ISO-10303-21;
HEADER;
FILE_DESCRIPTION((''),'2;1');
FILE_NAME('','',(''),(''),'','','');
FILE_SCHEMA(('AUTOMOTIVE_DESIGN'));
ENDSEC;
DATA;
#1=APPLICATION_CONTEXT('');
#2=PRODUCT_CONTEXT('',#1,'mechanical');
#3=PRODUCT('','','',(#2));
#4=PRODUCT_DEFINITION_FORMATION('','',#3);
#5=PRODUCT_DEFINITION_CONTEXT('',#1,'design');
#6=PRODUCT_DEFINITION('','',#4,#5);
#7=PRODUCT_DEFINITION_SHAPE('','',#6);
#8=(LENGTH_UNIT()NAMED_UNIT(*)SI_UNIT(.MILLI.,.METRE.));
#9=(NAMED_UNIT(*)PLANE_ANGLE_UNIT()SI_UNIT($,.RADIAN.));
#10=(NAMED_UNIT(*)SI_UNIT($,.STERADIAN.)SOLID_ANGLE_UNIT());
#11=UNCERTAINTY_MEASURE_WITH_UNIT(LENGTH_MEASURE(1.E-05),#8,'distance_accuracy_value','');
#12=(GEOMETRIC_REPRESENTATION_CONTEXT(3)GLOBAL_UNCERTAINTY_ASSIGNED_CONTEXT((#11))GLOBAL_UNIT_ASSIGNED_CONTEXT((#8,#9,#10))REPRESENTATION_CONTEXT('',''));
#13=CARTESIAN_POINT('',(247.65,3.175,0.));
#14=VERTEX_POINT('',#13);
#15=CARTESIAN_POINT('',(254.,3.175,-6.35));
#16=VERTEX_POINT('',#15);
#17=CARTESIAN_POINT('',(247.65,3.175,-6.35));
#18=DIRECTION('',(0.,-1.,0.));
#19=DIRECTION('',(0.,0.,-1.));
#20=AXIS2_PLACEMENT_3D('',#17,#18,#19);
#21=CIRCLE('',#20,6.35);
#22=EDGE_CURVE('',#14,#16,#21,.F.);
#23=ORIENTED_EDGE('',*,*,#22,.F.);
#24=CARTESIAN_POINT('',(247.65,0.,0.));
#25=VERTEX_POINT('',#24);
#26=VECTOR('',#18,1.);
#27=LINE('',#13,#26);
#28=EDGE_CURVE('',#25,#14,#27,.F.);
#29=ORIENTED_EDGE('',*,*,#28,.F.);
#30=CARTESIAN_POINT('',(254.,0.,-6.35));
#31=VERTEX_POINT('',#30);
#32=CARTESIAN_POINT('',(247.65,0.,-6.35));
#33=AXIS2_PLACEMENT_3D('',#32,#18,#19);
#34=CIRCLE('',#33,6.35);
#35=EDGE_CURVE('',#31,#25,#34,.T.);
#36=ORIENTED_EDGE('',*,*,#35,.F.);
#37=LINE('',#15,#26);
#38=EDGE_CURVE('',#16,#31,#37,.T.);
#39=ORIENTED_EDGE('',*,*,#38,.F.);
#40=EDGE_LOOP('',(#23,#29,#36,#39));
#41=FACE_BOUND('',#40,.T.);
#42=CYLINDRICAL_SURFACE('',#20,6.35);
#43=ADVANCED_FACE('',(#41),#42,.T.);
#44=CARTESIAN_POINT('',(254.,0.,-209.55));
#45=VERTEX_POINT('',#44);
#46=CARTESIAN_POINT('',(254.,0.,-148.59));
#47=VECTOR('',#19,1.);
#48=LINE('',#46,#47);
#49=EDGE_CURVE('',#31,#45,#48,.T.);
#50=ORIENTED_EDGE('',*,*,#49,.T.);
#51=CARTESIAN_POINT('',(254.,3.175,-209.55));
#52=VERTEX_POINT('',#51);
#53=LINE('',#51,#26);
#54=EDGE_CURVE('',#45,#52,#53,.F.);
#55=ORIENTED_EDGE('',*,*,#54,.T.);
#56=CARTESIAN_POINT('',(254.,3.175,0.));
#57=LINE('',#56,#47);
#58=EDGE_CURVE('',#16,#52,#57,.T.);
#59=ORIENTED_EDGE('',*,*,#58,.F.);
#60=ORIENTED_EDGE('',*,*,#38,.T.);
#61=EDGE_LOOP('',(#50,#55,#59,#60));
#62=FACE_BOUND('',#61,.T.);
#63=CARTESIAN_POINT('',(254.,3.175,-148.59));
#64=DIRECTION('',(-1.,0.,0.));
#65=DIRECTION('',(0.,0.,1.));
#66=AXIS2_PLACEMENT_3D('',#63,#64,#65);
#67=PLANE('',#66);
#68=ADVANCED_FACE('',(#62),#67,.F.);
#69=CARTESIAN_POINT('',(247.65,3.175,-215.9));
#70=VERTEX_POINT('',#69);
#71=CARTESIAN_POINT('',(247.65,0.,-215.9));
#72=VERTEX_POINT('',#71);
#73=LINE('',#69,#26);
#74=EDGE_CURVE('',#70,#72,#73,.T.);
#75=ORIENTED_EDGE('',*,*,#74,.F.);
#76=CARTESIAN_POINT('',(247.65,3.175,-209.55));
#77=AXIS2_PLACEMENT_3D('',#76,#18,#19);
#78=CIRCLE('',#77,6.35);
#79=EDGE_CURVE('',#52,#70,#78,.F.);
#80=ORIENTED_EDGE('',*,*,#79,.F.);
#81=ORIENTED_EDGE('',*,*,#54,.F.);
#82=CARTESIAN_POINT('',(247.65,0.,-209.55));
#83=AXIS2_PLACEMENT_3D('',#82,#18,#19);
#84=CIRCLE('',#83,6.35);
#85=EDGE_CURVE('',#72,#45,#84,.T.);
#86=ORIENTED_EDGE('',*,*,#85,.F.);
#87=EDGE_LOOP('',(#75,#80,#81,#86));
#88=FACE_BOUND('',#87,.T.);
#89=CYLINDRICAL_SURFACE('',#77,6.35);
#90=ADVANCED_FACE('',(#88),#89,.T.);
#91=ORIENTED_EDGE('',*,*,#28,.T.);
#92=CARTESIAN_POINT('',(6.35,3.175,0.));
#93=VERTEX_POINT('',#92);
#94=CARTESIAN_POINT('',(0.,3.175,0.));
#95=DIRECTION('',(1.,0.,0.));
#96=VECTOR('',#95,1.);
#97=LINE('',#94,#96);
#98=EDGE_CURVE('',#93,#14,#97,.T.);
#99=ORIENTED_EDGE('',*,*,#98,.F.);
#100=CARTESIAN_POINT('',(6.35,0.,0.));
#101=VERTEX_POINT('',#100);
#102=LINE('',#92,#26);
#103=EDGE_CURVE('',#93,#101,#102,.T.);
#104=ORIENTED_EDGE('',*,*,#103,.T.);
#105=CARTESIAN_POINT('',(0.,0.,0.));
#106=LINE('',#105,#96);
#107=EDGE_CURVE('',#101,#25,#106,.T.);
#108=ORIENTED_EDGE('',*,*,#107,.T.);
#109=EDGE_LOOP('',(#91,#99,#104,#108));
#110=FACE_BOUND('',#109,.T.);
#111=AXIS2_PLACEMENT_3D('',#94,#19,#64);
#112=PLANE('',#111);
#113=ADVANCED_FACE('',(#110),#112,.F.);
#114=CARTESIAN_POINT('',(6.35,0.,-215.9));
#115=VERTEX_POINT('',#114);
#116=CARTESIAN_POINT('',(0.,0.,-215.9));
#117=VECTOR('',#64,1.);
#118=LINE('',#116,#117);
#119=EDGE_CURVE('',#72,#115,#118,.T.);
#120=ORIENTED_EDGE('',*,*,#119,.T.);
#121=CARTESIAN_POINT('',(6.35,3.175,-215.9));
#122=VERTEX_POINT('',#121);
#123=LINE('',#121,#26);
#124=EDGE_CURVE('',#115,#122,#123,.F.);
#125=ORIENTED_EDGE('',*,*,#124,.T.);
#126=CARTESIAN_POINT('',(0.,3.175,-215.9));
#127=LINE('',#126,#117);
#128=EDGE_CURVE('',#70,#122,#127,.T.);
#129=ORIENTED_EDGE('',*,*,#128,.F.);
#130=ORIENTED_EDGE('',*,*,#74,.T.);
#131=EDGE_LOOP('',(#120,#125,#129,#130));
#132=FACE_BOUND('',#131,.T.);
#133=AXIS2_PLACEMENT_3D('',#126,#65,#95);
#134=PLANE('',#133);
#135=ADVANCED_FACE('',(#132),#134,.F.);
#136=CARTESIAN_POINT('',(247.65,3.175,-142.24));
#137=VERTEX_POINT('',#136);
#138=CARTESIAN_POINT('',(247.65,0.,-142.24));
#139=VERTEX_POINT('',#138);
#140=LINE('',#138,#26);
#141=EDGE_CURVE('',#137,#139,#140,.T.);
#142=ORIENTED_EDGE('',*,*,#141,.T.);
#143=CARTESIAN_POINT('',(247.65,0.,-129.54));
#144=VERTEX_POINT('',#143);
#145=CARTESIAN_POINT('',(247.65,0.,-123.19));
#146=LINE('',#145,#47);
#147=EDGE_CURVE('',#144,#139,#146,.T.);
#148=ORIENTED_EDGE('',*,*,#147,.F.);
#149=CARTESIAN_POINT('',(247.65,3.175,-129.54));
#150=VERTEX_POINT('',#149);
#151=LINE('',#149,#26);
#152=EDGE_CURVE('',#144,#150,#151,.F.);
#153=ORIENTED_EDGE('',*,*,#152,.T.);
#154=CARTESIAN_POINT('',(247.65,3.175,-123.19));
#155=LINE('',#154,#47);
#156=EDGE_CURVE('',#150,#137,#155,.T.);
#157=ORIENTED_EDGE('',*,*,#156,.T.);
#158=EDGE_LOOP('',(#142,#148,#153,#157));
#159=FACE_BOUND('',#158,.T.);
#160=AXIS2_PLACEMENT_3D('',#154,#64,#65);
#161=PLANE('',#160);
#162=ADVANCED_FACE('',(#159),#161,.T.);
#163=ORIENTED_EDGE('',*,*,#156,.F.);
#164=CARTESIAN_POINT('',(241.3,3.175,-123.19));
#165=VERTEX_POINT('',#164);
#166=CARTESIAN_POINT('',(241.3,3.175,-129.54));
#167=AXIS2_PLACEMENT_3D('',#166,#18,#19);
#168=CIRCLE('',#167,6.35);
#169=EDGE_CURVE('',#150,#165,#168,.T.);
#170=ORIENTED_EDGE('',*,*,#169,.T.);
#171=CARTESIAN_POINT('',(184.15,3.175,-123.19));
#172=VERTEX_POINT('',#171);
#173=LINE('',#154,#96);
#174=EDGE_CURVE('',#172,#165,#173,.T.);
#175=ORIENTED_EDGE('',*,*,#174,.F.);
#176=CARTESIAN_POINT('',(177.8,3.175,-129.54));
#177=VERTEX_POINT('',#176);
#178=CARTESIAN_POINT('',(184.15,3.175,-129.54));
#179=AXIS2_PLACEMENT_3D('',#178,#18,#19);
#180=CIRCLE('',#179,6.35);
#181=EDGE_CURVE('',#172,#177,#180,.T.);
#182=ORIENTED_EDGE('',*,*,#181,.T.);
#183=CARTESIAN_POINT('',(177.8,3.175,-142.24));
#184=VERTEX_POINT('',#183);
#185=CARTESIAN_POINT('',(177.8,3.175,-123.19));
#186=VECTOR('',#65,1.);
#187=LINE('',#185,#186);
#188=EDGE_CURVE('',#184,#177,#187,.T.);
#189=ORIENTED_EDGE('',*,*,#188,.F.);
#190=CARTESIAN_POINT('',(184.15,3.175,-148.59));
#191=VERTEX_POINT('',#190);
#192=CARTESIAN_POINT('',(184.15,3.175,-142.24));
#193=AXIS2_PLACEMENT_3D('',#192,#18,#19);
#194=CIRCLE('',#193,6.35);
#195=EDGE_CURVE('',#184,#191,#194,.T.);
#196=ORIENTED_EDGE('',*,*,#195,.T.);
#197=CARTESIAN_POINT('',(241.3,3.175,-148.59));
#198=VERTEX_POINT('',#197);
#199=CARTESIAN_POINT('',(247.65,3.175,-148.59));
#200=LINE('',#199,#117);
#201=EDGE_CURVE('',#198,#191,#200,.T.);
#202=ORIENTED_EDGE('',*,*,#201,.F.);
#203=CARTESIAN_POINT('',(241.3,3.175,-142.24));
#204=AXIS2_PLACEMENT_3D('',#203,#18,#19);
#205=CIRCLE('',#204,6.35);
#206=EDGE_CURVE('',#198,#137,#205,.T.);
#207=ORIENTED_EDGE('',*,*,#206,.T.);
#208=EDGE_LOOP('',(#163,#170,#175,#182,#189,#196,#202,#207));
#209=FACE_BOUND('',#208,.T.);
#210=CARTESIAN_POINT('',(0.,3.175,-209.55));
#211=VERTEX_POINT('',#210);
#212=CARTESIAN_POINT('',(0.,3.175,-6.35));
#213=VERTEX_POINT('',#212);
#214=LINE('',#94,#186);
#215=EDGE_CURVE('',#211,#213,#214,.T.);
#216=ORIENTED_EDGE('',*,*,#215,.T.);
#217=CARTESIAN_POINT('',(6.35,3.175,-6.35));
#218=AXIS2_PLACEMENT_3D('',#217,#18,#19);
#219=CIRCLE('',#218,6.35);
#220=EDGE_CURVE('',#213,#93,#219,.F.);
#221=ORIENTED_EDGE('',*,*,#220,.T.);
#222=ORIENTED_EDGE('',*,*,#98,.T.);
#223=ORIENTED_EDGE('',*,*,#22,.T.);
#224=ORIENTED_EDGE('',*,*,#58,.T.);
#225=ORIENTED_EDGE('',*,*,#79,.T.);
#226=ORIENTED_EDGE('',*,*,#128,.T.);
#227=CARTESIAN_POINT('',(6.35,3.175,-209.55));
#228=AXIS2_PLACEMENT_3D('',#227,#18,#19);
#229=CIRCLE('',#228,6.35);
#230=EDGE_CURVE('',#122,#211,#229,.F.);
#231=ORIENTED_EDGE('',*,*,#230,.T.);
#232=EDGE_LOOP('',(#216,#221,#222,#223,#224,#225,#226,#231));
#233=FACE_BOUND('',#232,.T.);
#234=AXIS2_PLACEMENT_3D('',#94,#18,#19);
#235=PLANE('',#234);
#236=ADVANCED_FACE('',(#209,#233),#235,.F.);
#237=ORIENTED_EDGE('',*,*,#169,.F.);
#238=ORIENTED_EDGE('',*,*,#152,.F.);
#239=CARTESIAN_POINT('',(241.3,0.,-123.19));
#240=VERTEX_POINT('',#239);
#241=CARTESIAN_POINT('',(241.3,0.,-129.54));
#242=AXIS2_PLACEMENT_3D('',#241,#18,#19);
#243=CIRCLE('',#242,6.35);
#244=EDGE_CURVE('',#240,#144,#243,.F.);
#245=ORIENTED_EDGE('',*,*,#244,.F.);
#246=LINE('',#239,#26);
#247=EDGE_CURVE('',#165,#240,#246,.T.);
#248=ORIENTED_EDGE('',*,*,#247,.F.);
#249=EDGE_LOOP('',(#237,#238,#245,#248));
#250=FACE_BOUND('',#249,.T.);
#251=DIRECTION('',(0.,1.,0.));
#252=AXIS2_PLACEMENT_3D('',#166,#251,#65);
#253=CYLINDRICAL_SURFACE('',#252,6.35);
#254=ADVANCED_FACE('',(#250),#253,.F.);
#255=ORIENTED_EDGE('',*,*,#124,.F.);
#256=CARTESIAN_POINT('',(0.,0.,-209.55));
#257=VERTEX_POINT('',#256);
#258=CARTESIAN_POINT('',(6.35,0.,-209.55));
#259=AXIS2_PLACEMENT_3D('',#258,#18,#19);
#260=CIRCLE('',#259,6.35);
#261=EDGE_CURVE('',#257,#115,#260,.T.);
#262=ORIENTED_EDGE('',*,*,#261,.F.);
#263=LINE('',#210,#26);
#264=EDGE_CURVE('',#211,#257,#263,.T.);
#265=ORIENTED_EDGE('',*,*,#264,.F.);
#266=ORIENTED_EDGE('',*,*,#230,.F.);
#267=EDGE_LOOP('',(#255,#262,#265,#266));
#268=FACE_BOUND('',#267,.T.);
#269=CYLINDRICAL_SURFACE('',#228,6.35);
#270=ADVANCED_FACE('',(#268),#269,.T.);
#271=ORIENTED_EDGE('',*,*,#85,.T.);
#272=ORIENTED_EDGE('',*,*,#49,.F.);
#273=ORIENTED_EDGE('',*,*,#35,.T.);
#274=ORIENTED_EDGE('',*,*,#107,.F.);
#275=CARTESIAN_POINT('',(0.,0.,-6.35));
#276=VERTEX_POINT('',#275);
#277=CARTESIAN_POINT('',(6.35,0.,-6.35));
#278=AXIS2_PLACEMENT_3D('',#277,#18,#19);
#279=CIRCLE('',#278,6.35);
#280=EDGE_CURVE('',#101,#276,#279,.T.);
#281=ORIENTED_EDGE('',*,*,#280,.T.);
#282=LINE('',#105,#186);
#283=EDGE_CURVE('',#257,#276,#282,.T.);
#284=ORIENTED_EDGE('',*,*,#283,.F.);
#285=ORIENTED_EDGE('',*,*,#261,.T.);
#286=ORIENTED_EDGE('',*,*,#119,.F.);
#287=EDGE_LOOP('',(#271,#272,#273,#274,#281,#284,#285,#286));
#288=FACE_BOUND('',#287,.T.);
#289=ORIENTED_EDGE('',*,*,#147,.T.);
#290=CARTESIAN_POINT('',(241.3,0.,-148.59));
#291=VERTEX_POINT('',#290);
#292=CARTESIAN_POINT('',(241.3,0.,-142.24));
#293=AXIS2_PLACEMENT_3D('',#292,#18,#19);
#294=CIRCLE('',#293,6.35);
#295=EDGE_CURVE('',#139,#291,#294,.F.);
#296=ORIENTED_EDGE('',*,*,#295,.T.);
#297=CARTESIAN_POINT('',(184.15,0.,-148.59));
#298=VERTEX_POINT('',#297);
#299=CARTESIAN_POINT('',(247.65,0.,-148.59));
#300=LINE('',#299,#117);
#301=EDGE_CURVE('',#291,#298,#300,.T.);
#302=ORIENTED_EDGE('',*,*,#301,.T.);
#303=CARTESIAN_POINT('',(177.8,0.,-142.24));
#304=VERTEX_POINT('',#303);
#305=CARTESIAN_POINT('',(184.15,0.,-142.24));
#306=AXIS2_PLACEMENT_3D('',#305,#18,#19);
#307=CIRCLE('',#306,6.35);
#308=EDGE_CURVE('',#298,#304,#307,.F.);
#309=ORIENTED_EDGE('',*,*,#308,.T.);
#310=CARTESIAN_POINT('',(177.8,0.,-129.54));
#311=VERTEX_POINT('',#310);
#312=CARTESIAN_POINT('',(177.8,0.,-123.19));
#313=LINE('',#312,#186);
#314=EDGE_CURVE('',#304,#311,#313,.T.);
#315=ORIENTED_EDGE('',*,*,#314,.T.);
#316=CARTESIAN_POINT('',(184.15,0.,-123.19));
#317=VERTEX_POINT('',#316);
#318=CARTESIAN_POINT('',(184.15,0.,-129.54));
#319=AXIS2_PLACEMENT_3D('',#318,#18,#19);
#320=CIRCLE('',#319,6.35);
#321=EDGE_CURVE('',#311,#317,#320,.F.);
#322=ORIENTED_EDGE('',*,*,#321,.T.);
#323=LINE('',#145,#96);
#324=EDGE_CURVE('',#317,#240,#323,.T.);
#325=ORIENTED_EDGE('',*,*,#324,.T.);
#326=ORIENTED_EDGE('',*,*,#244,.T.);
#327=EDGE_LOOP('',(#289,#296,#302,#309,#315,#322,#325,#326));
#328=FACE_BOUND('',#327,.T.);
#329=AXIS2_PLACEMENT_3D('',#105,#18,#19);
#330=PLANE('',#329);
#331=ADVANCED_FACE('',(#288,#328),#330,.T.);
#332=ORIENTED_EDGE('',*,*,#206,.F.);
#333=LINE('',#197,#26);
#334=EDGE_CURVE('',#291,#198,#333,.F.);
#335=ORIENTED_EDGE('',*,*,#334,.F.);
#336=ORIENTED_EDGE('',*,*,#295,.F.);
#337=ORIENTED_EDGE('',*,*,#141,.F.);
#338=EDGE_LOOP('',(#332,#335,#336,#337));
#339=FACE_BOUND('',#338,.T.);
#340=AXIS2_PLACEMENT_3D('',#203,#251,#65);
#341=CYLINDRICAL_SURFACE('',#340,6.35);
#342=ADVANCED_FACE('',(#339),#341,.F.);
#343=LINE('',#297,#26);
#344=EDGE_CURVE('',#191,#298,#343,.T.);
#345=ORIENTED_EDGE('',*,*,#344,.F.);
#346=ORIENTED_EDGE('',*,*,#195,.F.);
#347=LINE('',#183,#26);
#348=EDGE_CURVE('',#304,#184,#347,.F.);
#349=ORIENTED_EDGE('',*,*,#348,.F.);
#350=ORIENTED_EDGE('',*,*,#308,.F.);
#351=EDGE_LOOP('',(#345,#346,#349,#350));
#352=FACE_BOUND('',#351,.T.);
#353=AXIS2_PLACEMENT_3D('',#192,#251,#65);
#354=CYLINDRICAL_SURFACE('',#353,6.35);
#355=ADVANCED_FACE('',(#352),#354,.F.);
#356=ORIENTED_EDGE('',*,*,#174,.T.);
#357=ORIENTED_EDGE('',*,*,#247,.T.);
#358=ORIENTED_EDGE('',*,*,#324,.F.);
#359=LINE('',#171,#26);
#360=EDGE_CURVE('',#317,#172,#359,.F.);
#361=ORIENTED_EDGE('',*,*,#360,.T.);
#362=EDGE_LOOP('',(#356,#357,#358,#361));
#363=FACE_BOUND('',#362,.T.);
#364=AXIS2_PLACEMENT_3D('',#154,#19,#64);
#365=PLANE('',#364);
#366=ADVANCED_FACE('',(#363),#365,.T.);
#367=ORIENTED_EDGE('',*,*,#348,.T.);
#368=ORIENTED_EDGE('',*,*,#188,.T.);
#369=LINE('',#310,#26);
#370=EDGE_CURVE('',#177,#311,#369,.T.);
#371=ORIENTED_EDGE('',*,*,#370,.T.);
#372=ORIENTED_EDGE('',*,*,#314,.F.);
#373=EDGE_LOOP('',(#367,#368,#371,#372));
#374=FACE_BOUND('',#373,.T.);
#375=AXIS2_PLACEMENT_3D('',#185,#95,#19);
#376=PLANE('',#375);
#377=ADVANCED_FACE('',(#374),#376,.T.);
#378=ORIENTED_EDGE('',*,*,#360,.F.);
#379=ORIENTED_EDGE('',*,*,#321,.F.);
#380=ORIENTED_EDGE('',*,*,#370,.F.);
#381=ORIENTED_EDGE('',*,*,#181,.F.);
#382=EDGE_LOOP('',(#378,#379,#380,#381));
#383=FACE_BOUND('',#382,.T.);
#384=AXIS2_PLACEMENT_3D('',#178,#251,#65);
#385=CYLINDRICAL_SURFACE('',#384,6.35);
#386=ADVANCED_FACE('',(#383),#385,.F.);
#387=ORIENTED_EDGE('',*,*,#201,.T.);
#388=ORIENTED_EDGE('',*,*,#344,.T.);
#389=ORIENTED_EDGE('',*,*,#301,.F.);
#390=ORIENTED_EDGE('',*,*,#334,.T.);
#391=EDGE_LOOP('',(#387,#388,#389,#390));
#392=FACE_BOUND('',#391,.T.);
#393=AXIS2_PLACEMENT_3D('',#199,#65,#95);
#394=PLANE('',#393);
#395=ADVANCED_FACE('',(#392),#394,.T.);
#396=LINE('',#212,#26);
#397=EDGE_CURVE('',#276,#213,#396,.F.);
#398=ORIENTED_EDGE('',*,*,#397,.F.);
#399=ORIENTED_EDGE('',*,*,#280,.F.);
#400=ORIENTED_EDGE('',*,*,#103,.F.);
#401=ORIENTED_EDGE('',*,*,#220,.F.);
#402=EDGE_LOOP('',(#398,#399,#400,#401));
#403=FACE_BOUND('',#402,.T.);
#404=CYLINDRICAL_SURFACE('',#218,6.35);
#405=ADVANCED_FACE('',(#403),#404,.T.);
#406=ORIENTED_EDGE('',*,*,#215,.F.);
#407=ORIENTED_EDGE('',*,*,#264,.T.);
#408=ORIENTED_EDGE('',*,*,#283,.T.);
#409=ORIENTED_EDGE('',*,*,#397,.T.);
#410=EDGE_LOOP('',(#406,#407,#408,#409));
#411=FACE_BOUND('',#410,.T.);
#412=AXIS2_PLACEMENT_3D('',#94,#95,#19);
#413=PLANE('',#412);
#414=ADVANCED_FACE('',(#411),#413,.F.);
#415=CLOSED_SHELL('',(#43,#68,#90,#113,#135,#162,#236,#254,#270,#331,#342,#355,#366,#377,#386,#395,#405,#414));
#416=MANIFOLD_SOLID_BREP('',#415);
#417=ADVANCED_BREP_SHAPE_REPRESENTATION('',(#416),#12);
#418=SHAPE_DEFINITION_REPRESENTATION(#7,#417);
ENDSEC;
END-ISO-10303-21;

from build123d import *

# Parameters (mm, degrees)
SKETCH1_W           = 69.85
SKETCH1_H           = 25.4
BOSS_EXTRUDE1_DEPTH = 3.175
FILLET1_R           = 6.35


with BuildPart() as part:
    # Sketch1 → Boss-Extrude1 (new body)
    with BuildSketch(Plane(origin=(0, 0, 0), x_dir=(1, 0, 0), z_dir=(0, 1, 0))):
        Polygon((254, 148.59), (254, 215.9), (0, 215.9), (0, 0), (254, 0), (254, 123.19), align=None)
        with Locations((212.725, 135.89)):
            Rectangle(SKETCH1_W, SKETCH1_H, mode=Mode.SUBTRACT)
    extrude(amount=BOSS_EXTRUDE1_DEPTH)

    # Fillet1
    fillet1_edges = [part.edges().sort_by_distance(p)[0] for p in [
        (0, 1.5875, -215.9),
        (254, 1.5875, -215.9),
        (254, 1.5875, 0),
        (0, 1.5875, 0),
        (177.8, 1.5875, -148.59),
        (177.8, 1.5875, -123.19),
        (247.65, 1.5875, -123.19),
        (247.65, 1.5875, -148.59),
    ]]
    fillet(fillet1_edges, radius=FILLET1_R)


solid = part.part
